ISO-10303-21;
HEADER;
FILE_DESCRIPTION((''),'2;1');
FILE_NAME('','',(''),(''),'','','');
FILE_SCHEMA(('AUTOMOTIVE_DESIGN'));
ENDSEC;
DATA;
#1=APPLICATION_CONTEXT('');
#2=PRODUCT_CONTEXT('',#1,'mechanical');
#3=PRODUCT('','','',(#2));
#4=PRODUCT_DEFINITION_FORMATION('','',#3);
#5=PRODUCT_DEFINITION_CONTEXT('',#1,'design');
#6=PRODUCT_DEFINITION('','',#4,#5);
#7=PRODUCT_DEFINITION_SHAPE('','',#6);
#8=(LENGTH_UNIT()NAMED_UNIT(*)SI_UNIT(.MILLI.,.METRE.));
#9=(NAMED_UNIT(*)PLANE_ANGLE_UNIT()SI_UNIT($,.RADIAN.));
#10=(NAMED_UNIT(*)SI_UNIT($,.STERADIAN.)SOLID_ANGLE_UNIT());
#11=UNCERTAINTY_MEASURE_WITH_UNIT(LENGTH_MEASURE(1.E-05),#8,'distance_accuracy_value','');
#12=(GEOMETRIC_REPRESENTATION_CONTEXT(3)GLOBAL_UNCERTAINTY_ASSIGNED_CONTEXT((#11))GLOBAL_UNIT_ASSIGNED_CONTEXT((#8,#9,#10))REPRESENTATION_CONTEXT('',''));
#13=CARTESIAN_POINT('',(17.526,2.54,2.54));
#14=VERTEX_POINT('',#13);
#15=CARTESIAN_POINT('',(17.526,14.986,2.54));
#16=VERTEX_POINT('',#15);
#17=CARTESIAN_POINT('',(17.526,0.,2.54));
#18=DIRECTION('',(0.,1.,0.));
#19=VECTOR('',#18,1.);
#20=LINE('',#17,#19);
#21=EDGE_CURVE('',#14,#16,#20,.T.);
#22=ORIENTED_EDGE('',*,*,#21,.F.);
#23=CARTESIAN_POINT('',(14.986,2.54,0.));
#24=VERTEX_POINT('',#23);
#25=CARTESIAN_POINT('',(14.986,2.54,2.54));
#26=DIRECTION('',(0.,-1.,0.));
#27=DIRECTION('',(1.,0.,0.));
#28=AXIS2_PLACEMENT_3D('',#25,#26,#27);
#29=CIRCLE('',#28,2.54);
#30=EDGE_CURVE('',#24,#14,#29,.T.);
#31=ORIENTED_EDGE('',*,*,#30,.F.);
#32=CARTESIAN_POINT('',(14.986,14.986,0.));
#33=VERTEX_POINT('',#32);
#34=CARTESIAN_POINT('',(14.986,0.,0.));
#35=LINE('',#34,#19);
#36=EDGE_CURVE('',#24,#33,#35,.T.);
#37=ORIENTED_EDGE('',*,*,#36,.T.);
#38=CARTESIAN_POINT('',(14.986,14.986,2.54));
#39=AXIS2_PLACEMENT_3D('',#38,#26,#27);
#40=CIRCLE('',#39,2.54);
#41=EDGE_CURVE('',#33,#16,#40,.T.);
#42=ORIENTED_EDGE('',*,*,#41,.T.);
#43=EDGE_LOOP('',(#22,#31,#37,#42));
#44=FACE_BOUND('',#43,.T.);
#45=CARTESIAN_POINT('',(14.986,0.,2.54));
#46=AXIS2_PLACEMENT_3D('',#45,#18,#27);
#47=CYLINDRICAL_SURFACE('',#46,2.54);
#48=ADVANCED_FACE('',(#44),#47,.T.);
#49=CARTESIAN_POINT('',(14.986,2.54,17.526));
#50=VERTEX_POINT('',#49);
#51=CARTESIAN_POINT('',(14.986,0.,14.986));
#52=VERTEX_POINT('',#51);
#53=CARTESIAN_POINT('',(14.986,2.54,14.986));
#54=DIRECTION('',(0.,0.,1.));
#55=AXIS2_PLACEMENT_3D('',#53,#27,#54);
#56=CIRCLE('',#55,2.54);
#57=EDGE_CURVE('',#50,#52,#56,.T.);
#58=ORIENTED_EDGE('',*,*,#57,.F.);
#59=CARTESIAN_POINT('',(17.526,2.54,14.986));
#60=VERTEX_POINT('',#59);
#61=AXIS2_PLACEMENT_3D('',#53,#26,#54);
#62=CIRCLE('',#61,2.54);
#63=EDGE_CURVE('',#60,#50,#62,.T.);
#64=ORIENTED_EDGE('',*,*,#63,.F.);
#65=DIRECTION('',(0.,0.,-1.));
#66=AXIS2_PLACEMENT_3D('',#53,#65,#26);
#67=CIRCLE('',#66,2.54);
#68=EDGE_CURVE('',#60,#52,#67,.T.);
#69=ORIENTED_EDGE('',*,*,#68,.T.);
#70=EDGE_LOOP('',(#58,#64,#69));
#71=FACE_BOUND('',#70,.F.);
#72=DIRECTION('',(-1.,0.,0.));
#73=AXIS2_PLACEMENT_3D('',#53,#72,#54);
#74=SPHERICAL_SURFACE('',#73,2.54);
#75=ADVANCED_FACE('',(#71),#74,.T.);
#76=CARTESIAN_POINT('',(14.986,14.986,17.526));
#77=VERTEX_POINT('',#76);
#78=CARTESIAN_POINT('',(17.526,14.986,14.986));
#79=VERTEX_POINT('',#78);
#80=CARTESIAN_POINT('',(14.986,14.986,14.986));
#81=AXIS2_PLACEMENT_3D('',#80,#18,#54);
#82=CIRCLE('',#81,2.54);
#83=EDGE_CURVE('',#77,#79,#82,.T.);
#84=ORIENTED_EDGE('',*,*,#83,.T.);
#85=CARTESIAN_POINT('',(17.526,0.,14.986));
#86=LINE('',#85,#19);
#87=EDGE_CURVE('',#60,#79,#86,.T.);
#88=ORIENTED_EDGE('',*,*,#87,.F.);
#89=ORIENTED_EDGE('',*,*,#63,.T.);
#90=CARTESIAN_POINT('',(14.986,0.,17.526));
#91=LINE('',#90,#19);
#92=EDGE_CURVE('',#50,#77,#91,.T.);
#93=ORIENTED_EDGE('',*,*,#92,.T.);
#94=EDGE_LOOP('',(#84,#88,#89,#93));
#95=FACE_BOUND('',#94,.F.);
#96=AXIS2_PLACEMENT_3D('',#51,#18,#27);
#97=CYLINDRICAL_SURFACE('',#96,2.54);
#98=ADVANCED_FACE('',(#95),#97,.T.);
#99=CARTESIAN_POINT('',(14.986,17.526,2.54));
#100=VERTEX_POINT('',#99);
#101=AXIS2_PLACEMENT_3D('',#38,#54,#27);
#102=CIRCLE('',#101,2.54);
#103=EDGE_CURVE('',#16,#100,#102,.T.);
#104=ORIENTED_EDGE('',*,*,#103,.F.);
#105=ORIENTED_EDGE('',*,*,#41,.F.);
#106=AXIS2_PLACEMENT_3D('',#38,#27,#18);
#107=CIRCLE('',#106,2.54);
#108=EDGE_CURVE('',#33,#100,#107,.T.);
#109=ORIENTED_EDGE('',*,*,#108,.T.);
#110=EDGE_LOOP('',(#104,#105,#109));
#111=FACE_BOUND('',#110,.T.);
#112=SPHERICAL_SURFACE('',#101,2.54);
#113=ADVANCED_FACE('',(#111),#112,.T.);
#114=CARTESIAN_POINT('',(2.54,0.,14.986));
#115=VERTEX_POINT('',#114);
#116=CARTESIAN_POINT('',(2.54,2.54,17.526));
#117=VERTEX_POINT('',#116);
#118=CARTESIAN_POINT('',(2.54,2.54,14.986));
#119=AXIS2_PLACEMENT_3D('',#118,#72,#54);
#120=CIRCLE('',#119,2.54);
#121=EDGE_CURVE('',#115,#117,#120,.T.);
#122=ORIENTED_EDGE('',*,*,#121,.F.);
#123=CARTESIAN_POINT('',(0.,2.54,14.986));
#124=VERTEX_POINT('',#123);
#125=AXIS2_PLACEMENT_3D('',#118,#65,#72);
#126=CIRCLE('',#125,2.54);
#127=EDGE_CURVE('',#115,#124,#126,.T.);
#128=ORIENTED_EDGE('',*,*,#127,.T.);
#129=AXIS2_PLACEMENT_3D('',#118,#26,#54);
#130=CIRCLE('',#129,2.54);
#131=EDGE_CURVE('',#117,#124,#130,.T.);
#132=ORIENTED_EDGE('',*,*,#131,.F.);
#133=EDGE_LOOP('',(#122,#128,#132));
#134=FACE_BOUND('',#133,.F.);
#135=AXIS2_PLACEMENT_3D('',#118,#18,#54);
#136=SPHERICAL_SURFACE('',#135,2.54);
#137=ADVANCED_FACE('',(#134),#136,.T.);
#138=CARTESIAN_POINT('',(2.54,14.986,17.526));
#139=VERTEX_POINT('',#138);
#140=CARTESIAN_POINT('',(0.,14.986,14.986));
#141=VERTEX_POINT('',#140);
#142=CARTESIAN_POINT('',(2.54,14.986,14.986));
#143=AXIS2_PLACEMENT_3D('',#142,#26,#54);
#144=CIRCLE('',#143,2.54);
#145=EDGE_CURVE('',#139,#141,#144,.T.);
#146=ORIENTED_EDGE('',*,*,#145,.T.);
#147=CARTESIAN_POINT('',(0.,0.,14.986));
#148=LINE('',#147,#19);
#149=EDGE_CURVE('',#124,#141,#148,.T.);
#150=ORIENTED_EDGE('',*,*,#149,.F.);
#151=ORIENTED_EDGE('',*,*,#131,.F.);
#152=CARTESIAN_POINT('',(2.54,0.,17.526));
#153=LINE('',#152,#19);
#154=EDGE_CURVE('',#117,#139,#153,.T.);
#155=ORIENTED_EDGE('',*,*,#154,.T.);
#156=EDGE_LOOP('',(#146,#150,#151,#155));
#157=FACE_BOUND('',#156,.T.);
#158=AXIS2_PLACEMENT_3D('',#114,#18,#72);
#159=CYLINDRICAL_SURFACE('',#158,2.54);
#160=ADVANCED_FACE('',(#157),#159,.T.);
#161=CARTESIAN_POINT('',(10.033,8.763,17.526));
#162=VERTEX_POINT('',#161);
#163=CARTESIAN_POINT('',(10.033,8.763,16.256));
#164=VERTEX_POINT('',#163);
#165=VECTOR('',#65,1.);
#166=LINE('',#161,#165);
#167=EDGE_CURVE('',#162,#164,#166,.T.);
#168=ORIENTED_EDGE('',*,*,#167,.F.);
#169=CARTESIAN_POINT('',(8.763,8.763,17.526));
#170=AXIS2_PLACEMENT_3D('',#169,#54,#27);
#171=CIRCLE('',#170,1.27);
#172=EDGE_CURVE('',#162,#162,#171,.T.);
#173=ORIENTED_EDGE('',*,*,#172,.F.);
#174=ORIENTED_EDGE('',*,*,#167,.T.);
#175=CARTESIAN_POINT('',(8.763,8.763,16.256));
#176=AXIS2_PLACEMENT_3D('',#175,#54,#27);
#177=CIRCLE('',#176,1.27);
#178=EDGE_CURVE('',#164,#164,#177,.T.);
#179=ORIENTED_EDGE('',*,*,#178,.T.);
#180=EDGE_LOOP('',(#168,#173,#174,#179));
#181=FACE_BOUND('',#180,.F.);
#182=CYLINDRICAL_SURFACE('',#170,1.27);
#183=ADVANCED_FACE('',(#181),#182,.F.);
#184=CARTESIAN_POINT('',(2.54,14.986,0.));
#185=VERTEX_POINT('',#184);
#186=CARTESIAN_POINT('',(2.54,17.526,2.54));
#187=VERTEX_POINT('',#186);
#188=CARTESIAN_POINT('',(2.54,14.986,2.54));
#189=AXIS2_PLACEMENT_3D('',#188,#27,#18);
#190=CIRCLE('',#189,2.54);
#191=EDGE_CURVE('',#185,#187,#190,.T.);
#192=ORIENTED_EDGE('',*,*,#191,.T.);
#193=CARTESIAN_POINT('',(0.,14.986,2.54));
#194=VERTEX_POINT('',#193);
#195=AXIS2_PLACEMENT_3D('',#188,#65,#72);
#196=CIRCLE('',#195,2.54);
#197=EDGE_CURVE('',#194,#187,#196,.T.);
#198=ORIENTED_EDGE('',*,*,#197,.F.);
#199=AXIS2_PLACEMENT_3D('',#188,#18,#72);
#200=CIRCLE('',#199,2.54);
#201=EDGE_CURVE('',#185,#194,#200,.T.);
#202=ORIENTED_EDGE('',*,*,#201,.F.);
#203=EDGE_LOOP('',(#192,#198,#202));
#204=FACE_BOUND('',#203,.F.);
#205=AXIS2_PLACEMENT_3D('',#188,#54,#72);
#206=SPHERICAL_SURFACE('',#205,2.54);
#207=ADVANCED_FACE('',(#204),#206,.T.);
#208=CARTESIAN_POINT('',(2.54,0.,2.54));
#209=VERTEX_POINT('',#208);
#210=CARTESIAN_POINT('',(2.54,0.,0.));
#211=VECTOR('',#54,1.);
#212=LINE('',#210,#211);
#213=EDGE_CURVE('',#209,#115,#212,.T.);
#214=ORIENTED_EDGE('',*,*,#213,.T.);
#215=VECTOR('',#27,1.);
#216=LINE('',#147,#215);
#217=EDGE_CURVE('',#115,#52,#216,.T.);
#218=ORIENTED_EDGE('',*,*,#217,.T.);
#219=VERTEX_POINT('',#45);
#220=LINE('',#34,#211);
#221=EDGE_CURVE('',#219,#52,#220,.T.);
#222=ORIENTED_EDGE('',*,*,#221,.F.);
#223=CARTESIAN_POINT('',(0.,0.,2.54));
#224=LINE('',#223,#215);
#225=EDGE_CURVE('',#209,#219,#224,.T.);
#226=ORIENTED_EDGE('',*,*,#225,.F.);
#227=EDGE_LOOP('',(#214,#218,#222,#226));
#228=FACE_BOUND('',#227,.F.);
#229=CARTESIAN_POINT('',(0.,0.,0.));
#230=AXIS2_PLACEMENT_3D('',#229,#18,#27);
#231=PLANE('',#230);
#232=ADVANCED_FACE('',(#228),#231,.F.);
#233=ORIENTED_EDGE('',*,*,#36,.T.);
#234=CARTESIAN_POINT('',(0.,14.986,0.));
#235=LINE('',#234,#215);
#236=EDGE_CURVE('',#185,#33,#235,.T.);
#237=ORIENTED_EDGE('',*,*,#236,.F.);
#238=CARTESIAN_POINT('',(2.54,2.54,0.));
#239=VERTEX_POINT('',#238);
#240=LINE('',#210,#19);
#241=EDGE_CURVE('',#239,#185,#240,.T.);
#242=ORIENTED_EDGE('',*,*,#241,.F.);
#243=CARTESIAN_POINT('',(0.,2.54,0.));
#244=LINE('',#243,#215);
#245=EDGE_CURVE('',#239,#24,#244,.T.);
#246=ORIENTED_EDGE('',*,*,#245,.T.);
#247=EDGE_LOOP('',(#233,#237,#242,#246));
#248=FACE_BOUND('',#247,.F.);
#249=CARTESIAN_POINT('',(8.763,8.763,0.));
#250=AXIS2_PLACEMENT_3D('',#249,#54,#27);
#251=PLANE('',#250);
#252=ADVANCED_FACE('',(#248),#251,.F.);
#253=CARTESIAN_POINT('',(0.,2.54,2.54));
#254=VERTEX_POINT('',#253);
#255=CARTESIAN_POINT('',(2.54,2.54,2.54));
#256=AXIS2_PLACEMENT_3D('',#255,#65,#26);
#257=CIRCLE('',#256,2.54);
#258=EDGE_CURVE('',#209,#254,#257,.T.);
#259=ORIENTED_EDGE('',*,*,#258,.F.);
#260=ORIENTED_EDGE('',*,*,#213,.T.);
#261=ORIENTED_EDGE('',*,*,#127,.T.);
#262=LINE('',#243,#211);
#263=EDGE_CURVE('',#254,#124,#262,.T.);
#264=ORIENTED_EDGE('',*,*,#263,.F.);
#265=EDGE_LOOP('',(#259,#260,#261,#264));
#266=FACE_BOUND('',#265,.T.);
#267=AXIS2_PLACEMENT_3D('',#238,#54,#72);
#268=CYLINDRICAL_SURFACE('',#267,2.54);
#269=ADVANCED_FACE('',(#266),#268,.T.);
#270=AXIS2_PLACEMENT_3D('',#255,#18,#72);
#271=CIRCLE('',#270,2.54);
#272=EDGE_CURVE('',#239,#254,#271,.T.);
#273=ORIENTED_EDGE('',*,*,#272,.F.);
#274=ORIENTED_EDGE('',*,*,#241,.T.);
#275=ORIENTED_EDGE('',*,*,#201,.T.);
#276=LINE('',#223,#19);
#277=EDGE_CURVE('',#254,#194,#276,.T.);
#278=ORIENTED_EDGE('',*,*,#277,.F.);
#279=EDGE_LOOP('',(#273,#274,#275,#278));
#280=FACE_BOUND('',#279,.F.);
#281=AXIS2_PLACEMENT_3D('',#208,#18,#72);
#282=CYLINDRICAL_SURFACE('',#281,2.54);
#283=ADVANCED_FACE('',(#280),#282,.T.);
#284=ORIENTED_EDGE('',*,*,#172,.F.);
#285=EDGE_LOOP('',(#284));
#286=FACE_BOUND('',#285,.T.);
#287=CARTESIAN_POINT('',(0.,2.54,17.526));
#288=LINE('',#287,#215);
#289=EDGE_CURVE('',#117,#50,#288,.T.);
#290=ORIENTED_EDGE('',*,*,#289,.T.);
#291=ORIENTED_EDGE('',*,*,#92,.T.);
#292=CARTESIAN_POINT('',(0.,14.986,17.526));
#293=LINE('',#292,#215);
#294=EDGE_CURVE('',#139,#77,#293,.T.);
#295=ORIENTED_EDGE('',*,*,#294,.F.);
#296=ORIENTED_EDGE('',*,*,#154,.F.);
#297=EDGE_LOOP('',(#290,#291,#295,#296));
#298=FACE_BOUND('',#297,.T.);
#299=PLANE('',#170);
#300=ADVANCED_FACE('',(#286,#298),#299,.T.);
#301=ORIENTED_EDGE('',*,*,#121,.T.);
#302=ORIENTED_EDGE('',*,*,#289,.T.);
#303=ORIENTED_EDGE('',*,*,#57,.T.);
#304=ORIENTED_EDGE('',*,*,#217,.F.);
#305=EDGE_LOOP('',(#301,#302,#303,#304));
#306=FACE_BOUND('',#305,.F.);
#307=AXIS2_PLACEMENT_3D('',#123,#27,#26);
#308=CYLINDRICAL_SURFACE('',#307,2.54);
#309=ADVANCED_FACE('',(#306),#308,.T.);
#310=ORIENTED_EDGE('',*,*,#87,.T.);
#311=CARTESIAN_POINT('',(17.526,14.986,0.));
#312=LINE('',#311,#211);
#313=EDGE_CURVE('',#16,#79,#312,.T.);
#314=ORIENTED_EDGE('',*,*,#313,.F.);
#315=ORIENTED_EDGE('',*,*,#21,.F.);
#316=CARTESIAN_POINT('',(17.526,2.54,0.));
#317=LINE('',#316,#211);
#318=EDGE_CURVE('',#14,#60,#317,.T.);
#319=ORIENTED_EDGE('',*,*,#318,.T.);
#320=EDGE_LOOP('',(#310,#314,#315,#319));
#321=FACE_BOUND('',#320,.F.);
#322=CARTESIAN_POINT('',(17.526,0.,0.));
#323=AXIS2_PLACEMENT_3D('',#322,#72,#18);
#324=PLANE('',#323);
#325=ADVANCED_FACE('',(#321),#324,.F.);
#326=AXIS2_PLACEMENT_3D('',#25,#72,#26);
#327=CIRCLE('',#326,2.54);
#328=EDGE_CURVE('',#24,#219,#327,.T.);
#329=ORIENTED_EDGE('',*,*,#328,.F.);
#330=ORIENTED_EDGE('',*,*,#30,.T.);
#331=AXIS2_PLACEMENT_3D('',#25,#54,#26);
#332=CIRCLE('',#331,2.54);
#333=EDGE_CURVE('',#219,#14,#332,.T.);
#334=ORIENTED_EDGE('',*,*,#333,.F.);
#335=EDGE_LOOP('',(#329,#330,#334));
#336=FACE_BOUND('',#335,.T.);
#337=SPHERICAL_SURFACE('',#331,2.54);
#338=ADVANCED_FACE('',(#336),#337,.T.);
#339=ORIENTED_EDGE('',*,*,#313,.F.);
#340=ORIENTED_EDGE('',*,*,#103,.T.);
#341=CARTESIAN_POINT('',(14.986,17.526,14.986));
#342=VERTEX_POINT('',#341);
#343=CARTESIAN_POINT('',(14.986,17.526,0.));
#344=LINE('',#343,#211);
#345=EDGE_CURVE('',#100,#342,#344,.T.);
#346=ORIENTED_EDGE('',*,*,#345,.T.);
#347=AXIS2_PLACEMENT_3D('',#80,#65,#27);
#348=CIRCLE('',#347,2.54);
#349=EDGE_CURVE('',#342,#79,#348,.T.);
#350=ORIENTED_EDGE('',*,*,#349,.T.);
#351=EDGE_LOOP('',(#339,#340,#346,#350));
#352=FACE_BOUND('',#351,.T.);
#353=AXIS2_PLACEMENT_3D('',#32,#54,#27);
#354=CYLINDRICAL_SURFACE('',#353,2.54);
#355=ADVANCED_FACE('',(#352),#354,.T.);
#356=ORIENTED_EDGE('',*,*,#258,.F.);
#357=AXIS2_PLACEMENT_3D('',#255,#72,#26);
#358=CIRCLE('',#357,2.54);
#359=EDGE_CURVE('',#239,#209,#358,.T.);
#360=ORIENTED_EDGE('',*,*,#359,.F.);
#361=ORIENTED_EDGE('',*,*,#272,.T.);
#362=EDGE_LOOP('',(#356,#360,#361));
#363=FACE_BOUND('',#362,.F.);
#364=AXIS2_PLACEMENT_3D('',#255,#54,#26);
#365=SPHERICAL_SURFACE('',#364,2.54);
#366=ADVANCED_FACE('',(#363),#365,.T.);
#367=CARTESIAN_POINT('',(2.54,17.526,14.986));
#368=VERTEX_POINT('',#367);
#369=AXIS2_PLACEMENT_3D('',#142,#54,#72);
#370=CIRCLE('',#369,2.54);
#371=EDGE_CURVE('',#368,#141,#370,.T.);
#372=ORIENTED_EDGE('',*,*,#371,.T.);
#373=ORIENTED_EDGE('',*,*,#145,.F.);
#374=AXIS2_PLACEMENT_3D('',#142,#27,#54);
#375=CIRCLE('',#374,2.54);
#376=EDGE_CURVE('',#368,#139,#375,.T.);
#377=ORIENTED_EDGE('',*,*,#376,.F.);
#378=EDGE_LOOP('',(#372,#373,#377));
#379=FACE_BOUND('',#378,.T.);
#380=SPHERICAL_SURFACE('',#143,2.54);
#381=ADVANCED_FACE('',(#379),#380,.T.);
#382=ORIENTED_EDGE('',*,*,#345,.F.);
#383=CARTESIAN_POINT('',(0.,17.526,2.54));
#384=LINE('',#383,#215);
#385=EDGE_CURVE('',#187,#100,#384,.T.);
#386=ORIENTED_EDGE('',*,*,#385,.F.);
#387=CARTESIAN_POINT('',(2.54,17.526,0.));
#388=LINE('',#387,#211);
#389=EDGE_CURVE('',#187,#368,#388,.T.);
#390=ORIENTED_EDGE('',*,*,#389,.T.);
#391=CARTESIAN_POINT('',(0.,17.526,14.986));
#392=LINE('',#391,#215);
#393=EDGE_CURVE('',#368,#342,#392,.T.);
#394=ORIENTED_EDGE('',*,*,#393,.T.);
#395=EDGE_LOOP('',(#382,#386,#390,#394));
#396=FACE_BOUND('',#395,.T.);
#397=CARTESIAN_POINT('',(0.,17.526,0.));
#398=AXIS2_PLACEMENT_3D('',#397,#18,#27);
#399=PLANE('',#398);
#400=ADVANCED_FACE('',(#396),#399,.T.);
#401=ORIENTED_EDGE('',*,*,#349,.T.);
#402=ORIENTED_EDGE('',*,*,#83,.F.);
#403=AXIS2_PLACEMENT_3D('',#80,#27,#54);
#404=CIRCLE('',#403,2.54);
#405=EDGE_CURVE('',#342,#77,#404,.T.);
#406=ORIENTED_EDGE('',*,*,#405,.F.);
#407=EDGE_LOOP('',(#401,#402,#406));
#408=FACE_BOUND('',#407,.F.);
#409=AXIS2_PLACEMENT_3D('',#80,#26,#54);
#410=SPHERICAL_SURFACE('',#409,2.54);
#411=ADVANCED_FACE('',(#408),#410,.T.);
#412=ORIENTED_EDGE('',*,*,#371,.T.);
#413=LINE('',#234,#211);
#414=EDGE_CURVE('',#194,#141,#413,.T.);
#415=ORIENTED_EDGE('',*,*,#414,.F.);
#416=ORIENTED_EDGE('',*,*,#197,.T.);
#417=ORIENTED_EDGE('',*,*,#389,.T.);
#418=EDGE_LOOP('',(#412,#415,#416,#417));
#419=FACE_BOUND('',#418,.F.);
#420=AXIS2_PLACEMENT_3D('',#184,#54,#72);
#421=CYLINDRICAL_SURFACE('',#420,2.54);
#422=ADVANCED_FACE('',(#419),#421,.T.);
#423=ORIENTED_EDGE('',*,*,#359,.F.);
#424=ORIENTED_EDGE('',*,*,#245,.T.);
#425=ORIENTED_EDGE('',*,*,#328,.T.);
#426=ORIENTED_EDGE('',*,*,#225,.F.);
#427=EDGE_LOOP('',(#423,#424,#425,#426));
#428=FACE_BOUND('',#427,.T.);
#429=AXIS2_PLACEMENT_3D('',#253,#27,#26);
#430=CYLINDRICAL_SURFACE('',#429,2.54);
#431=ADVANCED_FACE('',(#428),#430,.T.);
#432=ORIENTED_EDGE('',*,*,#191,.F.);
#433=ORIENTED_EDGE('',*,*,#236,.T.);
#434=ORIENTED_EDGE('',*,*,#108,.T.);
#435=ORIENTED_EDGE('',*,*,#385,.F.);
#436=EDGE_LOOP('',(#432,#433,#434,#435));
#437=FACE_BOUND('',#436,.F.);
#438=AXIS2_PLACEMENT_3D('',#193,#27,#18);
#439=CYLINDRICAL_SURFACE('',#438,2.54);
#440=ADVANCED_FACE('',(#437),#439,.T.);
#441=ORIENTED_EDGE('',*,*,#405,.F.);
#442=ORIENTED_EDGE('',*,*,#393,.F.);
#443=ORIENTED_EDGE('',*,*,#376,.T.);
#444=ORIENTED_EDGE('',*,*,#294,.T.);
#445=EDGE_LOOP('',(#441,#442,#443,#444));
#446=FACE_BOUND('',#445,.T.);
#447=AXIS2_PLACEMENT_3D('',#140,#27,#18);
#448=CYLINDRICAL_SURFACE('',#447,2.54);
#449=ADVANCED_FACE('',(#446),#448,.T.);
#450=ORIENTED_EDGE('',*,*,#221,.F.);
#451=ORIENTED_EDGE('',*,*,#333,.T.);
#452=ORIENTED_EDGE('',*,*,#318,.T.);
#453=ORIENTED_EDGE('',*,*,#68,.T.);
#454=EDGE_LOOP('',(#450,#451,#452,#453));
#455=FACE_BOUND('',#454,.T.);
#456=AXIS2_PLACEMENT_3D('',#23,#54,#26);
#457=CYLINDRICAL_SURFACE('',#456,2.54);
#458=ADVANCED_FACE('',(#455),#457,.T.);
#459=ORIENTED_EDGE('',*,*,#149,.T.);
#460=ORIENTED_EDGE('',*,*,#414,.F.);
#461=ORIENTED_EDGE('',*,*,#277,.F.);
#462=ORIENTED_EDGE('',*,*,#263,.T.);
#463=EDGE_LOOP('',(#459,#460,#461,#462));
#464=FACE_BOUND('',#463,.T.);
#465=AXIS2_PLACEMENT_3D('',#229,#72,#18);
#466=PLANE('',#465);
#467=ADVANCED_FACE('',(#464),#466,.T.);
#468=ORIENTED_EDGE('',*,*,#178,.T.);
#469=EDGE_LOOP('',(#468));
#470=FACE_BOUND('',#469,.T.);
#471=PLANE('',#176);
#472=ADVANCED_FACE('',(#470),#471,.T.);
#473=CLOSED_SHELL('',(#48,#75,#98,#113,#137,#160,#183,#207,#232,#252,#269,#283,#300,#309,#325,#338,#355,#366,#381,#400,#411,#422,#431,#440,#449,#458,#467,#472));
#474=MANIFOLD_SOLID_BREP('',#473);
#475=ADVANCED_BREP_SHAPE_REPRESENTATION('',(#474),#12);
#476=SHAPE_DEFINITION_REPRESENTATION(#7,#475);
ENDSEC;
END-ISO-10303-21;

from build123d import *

# Parameters (mm, degrees)
F0_W     = 17.526
F0_H     = 17.526
F1_DEPTH = 17.526
F2_R     = 2.54
F3_R     = 1.27
F4_DEPTH = 1.27


with BuildPart() as f1:
    # F0 (on Top) → F1 (new body)
    with BuildSketch(Plane.XY):
        with Locations((8.763, 8.763)):
            Rectangle(F0_W, F0_H)
    extrude(amount=F1_DEPTH)

    # F2
    f2_edges = [f1.edges().sort_by_distance(p)[0] for p in [
        (0, 8.763, 17.526),
        (8.763, 0, 17.526),
        (17.526, 8.763, 17.526),
        (8.763, 17.526, 17.526),
        (0, 0, 8.763),
        (17.526, 0, 8.763),
        (8.763, 0, 0),
        (17.526, 17.526, 8.763),
        (17.526, 8.763, 0),
        (0, 17.526, 8.763),
        (0, 8.763, 0),
        (8.763, 17.526, 0),
    ]]
    fillet(f2_edges, radius=F2_R)

    # F3 (on face) → F4 (cut)
    with BuildSketch(Plane.XY.offset(17.526)):
        with Locations((8.763, 8.763)):
            Circle(F3_R)
    extrude(amount=-F4_DEPTH, mode=Mode.SUBTRACT)


solid = f1.part
